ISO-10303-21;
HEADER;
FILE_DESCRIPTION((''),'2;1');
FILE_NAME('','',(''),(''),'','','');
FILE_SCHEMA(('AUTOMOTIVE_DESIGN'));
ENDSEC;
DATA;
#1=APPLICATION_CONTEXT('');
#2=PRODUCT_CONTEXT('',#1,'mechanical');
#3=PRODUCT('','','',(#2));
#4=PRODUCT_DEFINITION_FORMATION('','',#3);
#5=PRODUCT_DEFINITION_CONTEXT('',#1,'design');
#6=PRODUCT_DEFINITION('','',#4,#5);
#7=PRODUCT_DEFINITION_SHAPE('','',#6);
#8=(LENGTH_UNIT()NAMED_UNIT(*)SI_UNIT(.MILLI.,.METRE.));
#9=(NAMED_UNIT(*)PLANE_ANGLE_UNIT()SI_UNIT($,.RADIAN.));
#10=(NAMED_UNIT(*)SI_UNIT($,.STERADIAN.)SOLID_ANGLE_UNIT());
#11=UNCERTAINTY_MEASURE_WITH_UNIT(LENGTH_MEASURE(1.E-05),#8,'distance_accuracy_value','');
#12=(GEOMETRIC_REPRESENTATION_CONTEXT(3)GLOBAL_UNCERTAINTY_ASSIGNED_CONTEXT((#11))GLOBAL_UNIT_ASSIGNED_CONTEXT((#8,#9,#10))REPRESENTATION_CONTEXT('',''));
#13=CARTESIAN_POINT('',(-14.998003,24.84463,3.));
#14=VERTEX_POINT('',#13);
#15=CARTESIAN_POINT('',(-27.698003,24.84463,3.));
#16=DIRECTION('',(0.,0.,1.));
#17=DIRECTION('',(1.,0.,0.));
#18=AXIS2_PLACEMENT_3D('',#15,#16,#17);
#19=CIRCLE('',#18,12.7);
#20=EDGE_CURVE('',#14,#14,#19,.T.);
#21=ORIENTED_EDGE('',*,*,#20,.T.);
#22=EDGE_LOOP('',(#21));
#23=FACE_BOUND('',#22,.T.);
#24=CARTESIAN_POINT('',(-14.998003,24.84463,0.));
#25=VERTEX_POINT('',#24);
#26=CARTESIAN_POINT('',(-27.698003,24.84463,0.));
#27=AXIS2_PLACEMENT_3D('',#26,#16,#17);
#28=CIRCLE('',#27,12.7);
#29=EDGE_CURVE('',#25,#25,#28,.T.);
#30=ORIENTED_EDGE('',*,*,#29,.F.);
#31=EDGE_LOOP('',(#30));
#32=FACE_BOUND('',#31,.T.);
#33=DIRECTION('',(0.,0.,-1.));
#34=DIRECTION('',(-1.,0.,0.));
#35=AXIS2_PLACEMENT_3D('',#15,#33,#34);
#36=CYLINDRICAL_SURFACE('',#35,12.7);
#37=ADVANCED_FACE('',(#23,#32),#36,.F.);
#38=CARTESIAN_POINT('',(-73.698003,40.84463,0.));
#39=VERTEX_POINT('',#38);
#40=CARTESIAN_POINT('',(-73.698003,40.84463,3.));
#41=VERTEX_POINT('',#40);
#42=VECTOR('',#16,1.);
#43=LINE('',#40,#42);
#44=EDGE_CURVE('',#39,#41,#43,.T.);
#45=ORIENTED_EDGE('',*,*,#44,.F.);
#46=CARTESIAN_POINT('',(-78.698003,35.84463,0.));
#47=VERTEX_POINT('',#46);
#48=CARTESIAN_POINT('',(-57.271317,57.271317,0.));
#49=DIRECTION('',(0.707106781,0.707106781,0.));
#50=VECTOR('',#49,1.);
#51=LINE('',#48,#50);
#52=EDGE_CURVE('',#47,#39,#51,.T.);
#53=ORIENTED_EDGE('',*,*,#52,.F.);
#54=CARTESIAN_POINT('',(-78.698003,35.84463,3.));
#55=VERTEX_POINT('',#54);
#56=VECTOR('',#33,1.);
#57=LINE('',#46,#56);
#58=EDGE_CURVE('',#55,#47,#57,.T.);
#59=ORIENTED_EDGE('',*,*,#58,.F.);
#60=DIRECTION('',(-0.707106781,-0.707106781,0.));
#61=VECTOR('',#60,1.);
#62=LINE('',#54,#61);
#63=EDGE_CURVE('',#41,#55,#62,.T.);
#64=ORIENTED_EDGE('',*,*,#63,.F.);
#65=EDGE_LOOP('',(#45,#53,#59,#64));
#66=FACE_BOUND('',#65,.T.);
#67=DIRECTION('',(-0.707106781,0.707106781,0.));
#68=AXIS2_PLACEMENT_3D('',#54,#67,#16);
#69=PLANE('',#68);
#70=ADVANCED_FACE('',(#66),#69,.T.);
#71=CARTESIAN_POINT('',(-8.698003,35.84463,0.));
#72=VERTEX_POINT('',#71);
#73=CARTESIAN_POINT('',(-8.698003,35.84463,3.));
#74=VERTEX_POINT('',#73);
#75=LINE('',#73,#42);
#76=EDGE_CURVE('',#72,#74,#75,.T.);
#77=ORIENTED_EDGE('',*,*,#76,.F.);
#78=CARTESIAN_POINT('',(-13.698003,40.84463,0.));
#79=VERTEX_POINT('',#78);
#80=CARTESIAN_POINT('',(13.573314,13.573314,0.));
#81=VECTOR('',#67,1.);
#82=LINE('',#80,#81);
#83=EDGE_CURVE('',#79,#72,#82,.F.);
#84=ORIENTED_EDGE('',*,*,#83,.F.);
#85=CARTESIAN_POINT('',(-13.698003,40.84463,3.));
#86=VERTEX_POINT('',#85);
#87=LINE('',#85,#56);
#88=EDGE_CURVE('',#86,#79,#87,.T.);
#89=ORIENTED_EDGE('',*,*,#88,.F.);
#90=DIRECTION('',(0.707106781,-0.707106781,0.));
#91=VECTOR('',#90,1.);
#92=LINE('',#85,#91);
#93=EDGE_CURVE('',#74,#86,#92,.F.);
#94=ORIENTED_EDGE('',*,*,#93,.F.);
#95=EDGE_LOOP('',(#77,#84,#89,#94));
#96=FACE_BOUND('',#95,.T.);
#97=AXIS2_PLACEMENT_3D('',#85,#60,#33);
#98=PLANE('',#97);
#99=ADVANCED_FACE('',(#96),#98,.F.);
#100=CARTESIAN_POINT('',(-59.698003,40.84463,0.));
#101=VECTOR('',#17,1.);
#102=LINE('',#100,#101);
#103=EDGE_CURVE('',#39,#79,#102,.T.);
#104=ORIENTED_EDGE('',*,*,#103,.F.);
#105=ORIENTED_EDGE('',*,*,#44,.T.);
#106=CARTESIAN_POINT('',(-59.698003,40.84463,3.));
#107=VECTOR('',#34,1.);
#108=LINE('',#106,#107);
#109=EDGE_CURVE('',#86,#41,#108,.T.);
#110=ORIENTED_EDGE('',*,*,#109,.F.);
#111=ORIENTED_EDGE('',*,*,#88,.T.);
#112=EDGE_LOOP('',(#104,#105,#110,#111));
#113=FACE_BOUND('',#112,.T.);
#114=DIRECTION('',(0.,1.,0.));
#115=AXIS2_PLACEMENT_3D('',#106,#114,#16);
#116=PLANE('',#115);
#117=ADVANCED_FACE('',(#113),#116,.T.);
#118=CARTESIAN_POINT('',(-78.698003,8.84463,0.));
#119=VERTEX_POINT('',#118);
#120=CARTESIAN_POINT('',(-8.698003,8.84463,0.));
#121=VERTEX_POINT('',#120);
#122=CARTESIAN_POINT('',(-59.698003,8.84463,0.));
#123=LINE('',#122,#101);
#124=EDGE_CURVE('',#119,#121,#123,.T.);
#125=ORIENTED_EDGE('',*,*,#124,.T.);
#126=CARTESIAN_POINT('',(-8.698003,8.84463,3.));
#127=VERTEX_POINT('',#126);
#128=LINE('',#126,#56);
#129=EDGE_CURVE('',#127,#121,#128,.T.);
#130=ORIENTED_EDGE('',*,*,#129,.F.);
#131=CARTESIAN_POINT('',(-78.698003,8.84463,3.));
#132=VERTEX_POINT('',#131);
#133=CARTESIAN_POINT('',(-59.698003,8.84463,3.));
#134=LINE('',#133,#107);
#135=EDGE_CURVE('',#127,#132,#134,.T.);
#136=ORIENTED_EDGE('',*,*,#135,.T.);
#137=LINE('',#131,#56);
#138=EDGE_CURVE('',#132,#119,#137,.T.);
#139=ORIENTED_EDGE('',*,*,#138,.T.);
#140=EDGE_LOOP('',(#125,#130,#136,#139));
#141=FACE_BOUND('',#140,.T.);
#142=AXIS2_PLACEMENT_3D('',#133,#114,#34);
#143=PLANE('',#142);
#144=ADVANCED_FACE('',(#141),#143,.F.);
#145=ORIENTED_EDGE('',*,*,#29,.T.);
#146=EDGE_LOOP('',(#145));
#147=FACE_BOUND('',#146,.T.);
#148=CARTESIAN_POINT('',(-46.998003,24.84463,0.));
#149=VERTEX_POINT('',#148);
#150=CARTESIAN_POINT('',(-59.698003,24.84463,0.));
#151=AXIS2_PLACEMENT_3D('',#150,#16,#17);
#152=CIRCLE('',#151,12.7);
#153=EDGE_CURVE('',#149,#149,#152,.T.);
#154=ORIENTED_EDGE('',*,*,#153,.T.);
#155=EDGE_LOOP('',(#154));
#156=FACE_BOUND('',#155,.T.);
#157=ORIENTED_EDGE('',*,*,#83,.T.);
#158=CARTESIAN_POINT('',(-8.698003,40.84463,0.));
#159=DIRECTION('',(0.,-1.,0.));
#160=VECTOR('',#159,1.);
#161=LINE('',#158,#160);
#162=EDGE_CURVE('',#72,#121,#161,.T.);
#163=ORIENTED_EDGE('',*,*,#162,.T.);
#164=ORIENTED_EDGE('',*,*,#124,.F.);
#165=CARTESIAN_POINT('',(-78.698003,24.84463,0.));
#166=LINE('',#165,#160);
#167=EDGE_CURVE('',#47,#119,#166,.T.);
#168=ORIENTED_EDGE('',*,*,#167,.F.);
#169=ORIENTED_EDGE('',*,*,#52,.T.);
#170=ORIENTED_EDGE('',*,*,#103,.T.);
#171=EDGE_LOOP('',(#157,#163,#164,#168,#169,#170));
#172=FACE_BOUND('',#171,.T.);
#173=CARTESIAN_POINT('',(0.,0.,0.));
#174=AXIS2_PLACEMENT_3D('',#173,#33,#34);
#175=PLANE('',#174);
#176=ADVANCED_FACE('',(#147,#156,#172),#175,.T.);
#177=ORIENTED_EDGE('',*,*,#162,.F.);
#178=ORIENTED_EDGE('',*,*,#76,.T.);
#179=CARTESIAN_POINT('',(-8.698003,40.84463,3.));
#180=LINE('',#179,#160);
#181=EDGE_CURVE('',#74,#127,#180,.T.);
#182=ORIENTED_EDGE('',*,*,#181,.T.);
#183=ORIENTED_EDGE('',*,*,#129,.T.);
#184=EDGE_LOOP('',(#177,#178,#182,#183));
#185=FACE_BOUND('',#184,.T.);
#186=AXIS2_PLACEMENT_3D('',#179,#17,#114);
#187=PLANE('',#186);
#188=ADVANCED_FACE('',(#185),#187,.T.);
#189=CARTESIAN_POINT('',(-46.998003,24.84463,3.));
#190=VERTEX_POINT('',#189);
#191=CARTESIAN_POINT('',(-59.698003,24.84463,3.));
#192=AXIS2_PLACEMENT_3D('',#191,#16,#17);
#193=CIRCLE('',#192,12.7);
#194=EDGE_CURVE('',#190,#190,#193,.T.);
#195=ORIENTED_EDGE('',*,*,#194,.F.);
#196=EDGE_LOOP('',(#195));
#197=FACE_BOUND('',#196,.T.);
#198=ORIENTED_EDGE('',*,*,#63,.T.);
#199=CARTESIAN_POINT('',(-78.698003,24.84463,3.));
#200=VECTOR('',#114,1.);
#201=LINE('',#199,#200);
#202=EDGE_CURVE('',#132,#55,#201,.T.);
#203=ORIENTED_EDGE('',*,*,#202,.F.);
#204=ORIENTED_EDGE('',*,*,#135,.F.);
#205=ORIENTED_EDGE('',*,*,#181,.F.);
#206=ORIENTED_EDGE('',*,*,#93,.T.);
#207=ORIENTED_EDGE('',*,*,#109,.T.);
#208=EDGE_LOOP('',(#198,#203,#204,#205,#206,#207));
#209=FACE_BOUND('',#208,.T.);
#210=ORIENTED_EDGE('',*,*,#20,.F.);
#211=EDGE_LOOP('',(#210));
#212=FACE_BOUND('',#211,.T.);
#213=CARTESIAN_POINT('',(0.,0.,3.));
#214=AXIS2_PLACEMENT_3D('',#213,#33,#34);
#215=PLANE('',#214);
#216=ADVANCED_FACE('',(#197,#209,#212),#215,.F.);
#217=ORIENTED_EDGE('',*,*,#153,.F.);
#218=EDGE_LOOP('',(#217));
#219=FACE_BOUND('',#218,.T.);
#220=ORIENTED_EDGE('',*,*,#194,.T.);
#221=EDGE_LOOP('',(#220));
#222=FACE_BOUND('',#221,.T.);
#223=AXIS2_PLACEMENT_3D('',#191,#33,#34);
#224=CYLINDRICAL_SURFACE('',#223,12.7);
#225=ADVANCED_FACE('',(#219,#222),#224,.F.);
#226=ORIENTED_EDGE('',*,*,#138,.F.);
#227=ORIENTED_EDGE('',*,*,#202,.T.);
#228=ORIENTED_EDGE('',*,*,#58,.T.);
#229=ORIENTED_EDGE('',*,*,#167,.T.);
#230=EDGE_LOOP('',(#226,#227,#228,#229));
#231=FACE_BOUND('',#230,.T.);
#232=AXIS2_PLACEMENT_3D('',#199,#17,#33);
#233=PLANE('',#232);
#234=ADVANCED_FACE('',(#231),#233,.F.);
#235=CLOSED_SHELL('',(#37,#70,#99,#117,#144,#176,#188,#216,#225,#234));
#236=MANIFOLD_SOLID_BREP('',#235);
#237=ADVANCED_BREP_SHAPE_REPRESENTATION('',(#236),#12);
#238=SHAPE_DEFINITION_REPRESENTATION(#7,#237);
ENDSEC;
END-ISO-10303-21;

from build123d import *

# Parameters (mm, degrees)
SKETCH1_R           = 12.7
BOSS_EXTRUDE1_DEPTH = 3
CHAMFER1_SIZE       = 5


with BuildPart() as part:
    # Sketch1 → Boss-Extrude1 (new body)
    with BuildSketch(Plane.XY):
        Polygon((-78.698002714, 24.844630316), (-78.698002714, 40.844630316), (-59.698002714, 40.844630316), (-8.698002714, 40.844630316), (-8.698002714, 8.844630316), (-59.698002714, 8.844630316), (-78.698002714, 8.844630316), align=None)
        with Locations((-59.698002714, 24.844630316)):
            Circle(SKETCH1_R, mode=Mode.SUBTRACT)
        with Locations((-27.698002714, 24.844630316)):
            Circle(SKETCH1_R, mode=Mode.SUBTRACT)
    extrude(amount=BOSS_EXTRUDE1_DEPTH)

    # Chamfer1
    chamfer1_edges = [part.edges().sort_by_distance(p)[0] for p in [
        (-8.698002714, 40.844630316, 1.5),
        (-78.698002714, 40.844630316, 1.5),
    ]]
    chamfer(chamfer1_edges, length=CHAMFER1_SIZE)


solid = part.part
